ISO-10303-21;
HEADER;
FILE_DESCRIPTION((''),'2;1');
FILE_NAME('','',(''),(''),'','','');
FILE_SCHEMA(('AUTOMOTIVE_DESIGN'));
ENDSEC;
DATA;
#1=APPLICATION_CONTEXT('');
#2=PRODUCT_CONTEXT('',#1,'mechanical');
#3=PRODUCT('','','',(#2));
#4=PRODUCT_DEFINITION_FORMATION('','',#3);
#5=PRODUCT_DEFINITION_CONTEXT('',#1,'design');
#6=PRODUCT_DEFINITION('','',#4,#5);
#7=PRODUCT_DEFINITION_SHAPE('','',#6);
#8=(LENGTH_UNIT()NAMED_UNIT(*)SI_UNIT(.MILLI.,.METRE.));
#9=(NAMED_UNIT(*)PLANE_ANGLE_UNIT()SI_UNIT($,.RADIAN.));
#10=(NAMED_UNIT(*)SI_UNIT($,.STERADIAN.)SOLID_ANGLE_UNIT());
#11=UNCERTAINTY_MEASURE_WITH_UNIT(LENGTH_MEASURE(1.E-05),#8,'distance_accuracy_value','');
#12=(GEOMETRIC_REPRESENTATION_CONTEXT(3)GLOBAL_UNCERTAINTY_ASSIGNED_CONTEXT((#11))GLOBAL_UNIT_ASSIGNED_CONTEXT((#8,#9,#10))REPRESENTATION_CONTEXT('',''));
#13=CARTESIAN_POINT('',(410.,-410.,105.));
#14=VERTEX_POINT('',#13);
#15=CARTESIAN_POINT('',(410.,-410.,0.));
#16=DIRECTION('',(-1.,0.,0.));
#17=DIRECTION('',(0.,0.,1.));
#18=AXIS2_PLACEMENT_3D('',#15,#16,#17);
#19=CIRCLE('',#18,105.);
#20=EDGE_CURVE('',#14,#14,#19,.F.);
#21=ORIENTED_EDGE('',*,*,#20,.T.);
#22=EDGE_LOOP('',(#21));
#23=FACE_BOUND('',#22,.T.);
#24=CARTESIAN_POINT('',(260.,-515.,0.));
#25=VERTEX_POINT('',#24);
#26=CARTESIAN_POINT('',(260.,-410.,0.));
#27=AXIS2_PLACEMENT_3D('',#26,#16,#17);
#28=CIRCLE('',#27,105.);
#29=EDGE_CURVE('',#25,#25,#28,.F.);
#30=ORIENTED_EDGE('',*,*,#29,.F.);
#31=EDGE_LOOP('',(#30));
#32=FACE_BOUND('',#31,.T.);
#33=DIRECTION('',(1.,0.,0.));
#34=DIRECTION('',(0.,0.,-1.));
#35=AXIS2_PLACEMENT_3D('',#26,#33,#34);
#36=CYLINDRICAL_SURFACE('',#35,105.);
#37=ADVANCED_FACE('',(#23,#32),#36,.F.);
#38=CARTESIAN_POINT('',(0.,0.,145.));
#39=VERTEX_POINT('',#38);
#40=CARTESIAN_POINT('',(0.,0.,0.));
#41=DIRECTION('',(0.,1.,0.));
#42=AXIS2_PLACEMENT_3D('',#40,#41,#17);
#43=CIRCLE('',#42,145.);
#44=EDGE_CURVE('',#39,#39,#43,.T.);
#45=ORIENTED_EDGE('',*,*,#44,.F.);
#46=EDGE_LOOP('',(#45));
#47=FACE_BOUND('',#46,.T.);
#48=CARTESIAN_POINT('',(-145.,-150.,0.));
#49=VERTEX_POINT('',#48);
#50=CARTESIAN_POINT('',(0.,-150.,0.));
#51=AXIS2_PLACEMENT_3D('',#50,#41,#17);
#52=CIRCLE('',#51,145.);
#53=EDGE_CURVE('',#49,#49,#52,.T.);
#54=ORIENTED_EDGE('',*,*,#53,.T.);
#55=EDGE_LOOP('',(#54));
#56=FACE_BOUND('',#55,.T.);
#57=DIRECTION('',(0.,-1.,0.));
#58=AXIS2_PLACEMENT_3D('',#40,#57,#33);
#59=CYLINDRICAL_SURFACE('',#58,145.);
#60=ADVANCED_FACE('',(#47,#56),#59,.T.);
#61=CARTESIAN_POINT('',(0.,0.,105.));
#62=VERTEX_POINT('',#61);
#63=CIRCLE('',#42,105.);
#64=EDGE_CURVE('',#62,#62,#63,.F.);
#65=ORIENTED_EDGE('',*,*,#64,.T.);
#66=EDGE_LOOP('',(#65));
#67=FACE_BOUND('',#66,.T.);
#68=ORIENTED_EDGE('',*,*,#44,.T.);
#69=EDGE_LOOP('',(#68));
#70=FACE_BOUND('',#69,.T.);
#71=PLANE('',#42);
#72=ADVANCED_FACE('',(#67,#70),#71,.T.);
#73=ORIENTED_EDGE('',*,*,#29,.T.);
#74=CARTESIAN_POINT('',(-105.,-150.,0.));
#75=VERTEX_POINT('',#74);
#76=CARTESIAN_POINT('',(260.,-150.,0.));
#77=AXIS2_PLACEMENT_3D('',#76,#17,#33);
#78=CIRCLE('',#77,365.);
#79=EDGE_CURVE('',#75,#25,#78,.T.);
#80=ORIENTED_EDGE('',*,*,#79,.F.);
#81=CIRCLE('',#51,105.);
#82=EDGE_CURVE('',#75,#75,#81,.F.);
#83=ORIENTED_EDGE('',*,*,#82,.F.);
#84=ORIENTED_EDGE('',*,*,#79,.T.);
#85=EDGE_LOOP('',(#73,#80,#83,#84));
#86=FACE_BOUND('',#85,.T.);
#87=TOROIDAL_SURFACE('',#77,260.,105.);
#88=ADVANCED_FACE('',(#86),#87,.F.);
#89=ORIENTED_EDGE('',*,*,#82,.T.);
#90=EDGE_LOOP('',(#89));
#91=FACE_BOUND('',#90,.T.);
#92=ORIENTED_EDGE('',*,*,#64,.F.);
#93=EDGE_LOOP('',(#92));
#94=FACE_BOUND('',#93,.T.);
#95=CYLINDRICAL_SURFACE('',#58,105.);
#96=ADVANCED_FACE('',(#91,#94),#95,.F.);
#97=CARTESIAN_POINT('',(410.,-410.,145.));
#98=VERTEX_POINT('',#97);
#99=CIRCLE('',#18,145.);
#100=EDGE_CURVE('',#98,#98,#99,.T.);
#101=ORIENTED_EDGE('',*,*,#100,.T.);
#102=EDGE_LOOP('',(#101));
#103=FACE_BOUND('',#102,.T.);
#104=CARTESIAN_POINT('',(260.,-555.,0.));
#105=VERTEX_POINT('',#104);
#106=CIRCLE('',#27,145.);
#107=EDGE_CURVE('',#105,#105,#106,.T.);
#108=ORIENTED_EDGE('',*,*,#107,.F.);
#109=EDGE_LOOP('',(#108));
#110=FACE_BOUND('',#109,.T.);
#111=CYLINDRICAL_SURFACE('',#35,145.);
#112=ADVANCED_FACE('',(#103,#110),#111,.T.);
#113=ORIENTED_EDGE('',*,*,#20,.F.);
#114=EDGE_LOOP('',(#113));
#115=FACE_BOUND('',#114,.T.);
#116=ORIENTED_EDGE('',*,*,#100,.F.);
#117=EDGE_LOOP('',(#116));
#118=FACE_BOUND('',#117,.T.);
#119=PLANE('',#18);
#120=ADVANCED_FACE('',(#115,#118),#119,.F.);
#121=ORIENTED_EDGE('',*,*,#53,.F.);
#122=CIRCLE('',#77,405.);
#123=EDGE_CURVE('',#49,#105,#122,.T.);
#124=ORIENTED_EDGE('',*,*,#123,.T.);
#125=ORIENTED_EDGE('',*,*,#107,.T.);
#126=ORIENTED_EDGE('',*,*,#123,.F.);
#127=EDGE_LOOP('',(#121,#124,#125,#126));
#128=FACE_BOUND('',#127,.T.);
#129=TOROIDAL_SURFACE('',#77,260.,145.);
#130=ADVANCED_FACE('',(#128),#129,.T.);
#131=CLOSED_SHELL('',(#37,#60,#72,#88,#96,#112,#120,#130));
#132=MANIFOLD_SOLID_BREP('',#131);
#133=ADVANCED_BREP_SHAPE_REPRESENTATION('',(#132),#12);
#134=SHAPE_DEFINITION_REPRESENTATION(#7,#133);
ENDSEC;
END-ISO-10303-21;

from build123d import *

# Parameters (mm, degrees)
SKETCH2_R   = 145
SKETCH2_R_2 = 105


with BuildPart() as part:
    # Sweep1: sweep along a path in Sketch1
    with BuildLine(Plane.XY) as sweep1_path:
        Line((0, 0), (0, -150))
        ThreePointArc((0, -150), (76.152236891, -333.847763109), (260, -410))
        Line((260, -410), (410, -410))
    # Sketch2 → Sweep1 (sweep)
    with BuildSketch(Plane(origin=(0, 0, 0), x_dir=(1, 0, 0), z_dir=(0, 1, 0))):
        Circle(SKETCH2_R)
        Circle(SKETCH2_R_2, mode=Mode.SUBTRACT)
    sweep(path=sweep1_path.line)


solid = part.part
